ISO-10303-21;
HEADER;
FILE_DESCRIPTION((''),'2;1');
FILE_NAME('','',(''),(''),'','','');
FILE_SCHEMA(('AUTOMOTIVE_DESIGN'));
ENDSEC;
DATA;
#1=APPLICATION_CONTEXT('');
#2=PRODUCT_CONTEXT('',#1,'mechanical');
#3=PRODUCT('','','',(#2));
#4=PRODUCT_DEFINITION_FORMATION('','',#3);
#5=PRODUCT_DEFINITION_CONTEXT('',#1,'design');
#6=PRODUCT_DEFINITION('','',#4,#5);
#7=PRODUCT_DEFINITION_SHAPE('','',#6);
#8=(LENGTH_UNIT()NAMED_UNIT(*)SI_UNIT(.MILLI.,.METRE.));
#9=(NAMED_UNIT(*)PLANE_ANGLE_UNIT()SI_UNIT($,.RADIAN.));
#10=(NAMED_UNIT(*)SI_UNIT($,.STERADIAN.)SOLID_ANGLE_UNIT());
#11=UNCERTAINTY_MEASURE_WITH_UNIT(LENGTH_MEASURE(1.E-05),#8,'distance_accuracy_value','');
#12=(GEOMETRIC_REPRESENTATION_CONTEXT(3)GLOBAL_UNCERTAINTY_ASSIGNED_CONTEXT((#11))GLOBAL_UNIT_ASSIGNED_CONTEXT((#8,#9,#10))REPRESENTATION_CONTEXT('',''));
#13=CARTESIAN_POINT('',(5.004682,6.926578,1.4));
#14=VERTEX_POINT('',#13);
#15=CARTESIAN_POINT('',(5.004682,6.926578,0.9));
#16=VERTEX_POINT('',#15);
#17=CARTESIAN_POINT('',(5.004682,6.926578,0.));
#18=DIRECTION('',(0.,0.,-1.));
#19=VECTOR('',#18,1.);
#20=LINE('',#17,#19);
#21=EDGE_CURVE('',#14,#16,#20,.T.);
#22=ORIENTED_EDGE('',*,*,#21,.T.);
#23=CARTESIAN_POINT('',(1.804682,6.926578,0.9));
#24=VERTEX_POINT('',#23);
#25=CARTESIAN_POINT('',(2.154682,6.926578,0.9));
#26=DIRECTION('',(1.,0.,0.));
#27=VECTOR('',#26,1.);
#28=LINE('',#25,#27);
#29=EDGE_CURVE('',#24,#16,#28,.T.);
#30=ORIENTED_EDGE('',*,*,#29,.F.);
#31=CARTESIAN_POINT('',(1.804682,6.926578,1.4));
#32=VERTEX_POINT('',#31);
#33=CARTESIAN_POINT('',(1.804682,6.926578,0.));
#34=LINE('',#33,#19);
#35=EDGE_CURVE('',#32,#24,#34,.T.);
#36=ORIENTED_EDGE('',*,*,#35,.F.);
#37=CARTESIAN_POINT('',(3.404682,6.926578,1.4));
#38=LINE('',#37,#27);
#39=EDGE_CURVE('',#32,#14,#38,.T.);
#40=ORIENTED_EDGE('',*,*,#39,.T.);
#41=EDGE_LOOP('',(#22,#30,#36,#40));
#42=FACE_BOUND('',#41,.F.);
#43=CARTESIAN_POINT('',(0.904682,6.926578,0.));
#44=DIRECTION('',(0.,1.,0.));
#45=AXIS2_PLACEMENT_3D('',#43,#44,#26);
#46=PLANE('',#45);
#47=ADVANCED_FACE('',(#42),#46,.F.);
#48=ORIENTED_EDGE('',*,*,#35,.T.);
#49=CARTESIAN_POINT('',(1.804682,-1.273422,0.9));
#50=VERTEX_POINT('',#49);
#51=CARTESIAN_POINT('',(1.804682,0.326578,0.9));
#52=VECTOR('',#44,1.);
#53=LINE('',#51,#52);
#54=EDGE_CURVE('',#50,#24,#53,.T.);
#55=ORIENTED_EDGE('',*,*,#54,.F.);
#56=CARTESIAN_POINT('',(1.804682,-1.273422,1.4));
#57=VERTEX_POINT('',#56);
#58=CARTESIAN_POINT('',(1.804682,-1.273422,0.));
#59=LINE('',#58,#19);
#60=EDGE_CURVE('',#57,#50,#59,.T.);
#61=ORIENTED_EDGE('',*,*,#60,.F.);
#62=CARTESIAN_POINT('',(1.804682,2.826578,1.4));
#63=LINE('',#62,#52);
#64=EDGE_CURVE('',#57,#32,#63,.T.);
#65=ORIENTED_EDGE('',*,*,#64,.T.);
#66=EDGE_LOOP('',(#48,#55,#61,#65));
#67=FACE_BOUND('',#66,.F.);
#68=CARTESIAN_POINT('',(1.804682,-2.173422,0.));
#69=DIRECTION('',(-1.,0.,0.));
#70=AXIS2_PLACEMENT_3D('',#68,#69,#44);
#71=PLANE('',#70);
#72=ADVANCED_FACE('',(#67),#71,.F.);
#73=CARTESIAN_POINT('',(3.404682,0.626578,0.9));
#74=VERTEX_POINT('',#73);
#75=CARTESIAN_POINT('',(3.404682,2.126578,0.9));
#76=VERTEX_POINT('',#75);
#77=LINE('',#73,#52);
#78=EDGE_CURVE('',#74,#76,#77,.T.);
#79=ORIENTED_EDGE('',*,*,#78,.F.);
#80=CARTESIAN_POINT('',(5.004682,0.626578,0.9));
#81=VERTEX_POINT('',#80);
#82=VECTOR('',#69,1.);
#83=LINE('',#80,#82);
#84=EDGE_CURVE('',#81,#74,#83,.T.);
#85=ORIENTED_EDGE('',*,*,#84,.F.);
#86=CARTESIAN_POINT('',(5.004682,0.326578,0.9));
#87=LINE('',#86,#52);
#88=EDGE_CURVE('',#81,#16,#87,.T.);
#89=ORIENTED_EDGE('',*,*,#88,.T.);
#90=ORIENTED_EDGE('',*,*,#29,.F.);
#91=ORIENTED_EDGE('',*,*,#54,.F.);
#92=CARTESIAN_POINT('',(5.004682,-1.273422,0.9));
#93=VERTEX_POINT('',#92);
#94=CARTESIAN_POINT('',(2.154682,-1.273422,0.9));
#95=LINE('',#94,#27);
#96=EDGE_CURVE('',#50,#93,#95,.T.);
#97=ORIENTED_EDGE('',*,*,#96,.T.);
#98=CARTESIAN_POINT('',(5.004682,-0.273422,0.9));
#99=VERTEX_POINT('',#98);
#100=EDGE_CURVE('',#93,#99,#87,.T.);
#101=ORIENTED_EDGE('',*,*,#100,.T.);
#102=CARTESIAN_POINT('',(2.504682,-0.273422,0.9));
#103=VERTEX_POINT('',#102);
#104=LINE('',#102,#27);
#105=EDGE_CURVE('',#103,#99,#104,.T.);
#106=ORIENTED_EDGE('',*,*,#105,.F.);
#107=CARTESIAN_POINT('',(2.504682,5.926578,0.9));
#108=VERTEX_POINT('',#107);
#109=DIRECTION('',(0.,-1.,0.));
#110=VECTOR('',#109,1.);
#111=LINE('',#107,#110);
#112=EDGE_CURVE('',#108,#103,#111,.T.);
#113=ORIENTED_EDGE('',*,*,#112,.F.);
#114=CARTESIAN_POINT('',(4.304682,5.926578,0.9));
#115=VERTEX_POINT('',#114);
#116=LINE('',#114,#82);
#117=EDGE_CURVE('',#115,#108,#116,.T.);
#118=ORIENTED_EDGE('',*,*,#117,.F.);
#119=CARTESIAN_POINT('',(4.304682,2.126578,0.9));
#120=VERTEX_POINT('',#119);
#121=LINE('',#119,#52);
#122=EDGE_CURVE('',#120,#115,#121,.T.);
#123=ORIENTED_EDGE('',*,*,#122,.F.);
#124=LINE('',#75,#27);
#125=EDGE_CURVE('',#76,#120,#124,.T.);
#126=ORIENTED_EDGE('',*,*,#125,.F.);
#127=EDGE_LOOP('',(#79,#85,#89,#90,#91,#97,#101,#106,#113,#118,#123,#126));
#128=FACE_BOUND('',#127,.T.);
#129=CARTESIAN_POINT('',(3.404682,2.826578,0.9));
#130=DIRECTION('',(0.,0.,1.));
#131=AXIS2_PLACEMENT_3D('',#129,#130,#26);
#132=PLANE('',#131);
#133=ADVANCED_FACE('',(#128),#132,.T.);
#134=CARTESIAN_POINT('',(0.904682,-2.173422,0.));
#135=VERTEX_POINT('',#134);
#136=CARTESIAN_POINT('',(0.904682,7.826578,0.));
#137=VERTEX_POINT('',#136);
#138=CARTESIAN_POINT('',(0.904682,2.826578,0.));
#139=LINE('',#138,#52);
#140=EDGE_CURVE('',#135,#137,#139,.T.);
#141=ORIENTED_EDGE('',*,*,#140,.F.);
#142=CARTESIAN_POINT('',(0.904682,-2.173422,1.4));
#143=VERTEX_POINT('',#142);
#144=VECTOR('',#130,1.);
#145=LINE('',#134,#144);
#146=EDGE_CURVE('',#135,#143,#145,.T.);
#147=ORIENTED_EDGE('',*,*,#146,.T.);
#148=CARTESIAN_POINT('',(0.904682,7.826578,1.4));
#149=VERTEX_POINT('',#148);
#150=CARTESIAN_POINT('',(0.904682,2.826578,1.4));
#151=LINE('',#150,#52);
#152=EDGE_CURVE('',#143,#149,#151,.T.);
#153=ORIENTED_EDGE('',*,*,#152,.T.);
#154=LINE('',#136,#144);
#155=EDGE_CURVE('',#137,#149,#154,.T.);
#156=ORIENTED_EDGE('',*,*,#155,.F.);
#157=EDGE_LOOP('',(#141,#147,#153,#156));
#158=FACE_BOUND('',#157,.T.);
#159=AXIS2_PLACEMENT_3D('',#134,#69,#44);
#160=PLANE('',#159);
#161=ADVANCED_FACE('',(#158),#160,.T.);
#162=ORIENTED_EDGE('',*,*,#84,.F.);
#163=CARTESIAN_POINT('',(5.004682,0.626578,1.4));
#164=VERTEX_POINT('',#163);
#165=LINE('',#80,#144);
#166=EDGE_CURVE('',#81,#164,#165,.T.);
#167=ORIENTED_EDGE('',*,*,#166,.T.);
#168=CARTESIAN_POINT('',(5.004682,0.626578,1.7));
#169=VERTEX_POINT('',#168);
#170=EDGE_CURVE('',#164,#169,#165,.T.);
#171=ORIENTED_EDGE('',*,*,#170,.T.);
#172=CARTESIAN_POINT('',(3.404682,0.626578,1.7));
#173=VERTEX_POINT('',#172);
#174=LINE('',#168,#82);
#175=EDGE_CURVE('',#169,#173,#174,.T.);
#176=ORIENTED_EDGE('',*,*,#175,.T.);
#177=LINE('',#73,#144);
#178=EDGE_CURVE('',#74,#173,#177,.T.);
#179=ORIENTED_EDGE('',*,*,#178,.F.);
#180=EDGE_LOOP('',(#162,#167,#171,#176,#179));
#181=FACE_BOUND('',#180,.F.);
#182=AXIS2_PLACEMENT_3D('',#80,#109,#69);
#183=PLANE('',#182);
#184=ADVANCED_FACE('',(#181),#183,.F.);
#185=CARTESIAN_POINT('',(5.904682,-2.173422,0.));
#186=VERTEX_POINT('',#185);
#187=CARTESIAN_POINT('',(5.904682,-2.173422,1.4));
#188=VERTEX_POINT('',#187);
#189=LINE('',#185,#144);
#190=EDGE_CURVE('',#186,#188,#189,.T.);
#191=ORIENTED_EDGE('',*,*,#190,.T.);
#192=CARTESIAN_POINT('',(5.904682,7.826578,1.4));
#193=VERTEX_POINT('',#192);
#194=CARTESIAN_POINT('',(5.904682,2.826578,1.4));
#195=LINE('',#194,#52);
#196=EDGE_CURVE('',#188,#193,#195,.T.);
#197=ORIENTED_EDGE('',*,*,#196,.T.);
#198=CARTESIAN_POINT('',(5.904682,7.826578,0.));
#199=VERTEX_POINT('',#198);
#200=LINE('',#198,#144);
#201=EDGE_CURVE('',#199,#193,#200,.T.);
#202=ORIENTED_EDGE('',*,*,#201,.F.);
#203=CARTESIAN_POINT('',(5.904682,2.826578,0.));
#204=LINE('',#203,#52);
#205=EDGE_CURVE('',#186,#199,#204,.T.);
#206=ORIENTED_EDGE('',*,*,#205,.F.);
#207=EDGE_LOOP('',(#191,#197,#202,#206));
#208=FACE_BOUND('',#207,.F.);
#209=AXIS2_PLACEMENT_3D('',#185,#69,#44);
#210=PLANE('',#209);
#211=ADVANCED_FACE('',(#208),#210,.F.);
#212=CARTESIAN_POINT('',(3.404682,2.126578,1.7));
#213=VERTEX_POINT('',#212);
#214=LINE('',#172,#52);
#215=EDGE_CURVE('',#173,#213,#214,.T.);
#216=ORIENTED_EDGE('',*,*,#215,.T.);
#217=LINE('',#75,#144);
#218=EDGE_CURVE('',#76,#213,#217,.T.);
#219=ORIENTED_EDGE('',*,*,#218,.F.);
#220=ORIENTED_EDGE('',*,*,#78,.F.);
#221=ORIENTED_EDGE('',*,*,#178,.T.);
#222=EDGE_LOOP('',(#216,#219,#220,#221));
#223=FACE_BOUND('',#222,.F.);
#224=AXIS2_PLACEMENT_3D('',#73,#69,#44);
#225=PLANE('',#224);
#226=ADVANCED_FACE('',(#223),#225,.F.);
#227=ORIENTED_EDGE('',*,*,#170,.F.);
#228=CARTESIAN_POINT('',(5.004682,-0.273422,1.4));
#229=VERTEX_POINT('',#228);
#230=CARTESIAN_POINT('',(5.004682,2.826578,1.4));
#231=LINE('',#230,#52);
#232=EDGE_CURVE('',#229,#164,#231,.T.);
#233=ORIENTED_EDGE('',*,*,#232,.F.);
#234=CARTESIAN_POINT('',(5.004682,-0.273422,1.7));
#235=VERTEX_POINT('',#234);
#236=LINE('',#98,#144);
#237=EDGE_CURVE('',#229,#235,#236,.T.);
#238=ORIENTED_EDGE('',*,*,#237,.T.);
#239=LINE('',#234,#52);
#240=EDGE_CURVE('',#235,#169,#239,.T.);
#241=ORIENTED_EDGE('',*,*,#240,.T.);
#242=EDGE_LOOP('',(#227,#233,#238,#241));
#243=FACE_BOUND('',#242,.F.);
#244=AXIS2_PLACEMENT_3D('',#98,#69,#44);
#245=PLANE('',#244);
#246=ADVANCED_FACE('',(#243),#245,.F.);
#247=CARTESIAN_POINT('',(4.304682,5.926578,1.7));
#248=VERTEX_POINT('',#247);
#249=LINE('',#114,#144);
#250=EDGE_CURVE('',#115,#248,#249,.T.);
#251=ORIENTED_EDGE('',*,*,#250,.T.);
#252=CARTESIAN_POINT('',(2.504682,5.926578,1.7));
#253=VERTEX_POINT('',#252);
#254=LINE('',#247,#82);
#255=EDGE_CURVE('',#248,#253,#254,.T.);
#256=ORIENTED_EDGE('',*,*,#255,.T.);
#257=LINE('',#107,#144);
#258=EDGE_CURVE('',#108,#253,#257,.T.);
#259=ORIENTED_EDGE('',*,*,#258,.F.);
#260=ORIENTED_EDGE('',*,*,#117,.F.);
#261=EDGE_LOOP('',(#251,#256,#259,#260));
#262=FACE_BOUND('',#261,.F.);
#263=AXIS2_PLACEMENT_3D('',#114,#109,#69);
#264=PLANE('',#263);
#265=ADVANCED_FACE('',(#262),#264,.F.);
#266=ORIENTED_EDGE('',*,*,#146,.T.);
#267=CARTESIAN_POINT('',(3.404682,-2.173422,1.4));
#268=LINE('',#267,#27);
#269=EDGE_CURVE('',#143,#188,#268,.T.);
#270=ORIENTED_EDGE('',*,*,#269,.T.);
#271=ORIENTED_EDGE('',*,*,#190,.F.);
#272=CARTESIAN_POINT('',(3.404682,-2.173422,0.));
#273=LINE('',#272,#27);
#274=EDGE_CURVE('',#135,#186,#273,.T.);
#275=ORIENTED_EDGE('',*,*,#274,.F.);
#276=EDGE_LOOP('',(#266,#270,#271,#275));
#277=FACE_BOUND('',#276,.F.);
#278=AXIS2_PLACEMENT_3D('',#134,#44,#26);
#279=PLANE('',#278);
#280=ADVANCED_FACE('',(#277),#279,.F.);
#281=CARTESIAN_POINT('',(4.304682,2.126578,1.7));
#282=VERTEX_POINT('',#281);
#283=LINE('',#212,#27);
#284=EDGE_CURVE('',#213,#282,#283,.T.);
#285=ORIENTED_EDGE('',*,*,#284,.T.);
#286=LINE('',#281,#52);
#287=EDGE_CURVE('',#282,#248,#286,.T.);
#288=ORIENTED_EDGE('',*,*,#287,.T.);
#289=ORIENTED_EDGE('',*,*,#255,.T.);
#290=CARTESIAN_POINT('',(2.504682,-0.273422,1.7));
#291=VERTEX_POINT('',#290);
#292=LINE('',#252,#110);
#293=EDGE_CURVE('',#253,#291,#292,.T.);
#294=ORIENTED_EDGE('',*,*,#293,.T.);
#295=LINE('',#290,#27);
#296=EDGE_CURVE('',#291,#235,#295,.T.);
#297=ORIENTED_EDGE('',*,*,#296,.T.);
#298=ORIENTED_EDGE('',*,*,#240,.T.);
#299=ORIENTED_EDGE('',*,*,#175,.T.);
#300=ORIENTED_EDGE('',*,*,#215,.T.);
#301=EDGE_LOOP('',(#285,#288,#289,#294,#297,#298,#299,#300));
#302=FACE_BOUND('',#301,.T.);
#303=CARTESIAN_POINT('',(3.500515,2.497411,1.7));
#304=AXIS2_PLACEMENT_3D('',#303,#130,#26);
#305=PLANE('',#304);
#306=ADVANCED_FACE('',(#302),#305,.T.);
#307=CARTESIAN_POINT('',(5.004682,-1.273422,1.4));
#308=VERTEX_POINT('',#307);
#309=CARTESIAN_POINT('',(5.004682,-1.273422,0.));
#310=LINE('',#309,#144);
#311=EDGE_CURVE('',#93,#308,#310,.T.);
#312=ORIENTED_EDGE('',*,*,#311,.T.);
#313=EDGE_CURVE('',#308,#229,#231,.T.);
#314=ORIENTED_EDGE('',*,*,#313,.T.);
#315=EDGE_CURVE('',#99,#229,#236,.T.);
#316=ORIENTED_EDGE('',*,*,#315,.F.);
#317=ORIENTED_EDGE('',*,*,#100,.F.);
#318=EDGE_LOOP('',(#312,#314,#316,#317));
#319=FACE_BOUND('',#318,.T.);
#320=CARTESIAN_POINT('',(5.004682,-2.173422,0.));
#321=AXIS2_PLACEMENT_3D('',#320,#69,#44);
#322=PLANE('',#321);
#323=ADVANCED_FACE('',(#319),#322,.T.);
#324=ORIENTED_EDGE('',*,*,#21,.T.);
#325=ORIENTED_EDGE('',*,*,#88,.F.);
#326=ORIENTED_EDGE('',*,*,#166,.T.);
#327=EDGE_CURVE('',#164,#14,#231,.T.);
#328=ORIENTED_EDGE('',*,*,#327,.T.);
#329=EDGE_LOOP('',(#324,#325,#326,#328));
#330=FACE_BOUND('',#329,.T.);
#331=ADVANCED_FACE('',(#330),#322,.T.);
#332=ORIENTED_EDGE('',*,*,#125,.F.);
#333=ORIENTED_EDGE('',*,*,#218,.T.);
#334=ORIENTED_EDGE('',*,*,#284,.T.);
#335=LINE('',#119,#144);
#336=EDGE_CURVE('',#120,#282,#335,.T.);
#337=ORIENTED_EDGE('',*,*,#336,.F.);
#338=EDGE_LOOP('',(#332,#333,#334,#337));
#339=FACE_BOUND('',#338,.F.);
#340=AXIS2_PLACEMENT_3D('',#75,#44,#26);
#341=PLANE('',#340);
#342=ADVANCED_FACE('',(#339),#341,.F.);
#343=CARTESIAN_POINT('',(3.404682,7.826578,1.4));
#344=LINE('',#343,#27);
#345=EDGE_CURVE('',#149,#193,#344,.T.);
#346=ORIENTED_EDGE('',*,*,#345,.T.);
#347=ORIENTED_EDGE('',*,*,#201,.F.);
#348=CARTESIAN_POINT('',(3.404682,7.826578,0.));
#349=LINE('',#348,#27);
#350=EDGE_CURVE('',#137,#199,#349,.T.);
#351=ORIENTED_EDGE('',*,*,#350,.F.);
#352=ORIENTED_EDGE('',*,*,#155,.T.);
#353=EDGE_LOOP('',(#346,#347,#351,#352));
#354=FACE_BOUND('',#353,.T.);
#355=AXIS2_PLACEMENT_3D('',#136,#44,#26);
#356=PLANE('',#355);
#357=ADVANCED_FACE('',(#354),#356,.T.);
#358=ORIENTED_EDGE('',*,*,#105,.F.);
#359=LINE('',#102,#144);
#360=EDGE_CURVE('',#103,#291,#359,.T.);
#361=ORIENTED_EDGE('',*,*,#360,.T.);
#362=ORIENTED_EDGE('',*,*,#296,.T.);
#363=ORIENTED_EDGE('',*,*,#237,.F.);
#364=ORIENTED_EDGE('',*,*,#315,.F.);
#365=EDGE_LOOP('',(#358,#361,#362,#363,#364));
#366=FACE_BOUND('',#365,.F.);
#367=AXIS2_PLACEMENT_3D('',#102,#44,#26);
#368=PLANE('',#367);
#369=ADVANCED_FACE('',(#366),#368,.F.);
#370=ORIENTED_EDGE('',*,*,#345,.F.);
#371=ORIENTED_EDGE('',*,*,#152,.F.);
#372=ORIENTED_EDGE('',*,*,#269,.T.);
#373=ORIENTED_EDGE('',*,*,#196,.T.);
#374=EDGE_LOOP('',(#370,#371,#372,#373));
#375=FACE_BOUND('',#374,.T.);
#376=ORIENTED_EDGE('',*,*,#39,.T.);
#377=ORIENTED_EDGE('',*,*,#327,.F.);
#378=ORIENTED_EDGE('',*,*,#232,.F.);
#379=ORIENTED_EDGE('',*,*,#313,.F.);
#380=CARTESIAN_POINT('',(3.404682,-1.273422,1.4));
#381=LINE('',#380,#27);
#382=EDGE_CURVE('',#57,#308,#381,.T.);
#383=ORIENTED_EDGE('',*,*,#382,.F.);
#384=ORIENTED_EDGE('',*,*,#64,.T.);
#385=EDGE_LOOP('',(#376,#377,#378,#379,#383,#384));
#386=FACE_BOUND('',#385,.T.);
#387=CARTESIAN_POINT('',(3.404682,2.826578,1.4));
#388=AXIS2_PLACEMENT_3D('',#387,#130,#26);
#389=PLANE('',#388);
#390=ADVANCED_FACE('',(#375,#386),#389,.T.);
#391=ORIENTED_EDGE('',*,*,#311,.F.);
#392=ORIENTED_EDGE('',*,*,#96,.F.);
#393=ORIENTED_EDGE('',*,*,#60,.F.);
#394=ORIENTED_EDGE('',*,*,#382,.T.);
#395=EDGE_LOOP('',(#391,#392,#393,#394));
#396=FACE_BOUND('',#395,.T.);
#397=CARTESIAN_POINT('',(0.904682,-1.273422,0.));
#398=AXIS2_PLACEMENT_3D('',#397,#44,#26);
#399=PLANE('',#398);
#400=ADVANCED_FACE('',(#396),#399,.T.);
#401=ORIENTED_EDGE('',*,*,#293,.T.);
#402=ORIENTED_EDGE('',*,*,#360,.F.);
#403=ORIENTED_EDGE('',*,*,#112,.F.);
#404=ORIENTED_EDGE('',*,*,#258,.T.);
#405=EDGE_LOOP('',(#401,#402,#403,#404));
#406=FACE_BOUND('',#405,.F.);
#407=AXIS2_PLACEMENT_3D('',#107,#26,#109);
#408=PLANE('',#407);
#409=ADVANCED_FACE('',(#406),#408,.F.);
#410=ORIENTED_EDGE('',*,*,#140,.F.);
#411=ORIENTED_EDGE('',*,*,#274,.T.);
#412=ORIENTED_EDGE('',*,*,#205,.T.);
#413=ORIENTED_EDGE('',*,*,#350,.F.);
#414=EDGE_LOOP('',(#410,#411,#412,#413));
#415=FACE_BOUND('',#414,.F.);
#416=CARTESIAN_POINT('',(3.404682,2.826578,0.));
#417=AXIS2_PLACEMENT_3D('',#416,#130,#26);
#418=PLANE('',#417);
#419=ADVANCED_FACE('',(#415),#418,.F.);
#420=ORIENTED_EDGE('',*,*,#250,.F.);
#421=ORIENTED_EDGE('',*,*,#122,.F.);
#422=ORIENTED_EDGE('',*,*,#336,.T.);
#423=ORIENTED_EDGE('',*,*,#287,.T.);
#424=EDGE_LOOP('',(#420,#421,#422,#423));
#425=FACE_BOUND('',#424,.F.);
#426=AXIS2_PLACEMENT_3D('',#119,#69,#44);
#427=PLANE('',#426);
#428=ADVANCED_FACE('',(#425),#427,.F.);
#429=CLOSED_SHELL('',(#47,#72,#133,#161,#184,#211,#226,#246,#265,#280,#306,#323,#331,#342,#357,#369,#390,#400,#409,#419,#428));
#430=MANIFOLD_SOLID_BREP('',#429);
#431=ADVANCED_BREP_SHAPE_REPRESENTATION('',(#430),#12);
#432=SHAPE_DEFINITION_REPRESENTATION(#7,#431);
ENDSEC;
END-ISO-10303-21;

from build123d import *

# Parameters (mm, degrees)
F0_W     = 5
F0_H     = 10
F1_DEPTH = 1.4
F2_T     = -0.9
F4_DEPTH = 0.8


with BuildPart() as f1:
    # F0 (on Top) → F1 (new body)
    with BuildSketch(Plane.XY):
        with Locations((3.4046815708, 2.8265781289)):
            Rectangle(F0_W, F0_H)
    extrude(amount=F1_DEPTH)

    # F2
    f2_openings = [f1.faces().sort_by_distance(p)[0] for p in [
        (3.404682, 2.826578, 1.4),
    ]]
    offset(amount=F2_T, openings=f2_openings)

    # F3 (on face) → F4 (join)
    with BuildSketch(Plane.XY.offset(0.9)):
        Polygon((5.0046815708, -0.2734218711), (5.0046815708, 0.6265781289), (3.4046815708, 0.6265781289), (3.4046815708, 2.1265781289), (4.3046815708, 2.1265781289), (4.3046815708, 5.9265781289), (2.5046815708, 5.9265781289), (2.5046815708, -0.2734218711), align=None)
    extrude(amount=F4_DEPTH)


solid = f1.part
